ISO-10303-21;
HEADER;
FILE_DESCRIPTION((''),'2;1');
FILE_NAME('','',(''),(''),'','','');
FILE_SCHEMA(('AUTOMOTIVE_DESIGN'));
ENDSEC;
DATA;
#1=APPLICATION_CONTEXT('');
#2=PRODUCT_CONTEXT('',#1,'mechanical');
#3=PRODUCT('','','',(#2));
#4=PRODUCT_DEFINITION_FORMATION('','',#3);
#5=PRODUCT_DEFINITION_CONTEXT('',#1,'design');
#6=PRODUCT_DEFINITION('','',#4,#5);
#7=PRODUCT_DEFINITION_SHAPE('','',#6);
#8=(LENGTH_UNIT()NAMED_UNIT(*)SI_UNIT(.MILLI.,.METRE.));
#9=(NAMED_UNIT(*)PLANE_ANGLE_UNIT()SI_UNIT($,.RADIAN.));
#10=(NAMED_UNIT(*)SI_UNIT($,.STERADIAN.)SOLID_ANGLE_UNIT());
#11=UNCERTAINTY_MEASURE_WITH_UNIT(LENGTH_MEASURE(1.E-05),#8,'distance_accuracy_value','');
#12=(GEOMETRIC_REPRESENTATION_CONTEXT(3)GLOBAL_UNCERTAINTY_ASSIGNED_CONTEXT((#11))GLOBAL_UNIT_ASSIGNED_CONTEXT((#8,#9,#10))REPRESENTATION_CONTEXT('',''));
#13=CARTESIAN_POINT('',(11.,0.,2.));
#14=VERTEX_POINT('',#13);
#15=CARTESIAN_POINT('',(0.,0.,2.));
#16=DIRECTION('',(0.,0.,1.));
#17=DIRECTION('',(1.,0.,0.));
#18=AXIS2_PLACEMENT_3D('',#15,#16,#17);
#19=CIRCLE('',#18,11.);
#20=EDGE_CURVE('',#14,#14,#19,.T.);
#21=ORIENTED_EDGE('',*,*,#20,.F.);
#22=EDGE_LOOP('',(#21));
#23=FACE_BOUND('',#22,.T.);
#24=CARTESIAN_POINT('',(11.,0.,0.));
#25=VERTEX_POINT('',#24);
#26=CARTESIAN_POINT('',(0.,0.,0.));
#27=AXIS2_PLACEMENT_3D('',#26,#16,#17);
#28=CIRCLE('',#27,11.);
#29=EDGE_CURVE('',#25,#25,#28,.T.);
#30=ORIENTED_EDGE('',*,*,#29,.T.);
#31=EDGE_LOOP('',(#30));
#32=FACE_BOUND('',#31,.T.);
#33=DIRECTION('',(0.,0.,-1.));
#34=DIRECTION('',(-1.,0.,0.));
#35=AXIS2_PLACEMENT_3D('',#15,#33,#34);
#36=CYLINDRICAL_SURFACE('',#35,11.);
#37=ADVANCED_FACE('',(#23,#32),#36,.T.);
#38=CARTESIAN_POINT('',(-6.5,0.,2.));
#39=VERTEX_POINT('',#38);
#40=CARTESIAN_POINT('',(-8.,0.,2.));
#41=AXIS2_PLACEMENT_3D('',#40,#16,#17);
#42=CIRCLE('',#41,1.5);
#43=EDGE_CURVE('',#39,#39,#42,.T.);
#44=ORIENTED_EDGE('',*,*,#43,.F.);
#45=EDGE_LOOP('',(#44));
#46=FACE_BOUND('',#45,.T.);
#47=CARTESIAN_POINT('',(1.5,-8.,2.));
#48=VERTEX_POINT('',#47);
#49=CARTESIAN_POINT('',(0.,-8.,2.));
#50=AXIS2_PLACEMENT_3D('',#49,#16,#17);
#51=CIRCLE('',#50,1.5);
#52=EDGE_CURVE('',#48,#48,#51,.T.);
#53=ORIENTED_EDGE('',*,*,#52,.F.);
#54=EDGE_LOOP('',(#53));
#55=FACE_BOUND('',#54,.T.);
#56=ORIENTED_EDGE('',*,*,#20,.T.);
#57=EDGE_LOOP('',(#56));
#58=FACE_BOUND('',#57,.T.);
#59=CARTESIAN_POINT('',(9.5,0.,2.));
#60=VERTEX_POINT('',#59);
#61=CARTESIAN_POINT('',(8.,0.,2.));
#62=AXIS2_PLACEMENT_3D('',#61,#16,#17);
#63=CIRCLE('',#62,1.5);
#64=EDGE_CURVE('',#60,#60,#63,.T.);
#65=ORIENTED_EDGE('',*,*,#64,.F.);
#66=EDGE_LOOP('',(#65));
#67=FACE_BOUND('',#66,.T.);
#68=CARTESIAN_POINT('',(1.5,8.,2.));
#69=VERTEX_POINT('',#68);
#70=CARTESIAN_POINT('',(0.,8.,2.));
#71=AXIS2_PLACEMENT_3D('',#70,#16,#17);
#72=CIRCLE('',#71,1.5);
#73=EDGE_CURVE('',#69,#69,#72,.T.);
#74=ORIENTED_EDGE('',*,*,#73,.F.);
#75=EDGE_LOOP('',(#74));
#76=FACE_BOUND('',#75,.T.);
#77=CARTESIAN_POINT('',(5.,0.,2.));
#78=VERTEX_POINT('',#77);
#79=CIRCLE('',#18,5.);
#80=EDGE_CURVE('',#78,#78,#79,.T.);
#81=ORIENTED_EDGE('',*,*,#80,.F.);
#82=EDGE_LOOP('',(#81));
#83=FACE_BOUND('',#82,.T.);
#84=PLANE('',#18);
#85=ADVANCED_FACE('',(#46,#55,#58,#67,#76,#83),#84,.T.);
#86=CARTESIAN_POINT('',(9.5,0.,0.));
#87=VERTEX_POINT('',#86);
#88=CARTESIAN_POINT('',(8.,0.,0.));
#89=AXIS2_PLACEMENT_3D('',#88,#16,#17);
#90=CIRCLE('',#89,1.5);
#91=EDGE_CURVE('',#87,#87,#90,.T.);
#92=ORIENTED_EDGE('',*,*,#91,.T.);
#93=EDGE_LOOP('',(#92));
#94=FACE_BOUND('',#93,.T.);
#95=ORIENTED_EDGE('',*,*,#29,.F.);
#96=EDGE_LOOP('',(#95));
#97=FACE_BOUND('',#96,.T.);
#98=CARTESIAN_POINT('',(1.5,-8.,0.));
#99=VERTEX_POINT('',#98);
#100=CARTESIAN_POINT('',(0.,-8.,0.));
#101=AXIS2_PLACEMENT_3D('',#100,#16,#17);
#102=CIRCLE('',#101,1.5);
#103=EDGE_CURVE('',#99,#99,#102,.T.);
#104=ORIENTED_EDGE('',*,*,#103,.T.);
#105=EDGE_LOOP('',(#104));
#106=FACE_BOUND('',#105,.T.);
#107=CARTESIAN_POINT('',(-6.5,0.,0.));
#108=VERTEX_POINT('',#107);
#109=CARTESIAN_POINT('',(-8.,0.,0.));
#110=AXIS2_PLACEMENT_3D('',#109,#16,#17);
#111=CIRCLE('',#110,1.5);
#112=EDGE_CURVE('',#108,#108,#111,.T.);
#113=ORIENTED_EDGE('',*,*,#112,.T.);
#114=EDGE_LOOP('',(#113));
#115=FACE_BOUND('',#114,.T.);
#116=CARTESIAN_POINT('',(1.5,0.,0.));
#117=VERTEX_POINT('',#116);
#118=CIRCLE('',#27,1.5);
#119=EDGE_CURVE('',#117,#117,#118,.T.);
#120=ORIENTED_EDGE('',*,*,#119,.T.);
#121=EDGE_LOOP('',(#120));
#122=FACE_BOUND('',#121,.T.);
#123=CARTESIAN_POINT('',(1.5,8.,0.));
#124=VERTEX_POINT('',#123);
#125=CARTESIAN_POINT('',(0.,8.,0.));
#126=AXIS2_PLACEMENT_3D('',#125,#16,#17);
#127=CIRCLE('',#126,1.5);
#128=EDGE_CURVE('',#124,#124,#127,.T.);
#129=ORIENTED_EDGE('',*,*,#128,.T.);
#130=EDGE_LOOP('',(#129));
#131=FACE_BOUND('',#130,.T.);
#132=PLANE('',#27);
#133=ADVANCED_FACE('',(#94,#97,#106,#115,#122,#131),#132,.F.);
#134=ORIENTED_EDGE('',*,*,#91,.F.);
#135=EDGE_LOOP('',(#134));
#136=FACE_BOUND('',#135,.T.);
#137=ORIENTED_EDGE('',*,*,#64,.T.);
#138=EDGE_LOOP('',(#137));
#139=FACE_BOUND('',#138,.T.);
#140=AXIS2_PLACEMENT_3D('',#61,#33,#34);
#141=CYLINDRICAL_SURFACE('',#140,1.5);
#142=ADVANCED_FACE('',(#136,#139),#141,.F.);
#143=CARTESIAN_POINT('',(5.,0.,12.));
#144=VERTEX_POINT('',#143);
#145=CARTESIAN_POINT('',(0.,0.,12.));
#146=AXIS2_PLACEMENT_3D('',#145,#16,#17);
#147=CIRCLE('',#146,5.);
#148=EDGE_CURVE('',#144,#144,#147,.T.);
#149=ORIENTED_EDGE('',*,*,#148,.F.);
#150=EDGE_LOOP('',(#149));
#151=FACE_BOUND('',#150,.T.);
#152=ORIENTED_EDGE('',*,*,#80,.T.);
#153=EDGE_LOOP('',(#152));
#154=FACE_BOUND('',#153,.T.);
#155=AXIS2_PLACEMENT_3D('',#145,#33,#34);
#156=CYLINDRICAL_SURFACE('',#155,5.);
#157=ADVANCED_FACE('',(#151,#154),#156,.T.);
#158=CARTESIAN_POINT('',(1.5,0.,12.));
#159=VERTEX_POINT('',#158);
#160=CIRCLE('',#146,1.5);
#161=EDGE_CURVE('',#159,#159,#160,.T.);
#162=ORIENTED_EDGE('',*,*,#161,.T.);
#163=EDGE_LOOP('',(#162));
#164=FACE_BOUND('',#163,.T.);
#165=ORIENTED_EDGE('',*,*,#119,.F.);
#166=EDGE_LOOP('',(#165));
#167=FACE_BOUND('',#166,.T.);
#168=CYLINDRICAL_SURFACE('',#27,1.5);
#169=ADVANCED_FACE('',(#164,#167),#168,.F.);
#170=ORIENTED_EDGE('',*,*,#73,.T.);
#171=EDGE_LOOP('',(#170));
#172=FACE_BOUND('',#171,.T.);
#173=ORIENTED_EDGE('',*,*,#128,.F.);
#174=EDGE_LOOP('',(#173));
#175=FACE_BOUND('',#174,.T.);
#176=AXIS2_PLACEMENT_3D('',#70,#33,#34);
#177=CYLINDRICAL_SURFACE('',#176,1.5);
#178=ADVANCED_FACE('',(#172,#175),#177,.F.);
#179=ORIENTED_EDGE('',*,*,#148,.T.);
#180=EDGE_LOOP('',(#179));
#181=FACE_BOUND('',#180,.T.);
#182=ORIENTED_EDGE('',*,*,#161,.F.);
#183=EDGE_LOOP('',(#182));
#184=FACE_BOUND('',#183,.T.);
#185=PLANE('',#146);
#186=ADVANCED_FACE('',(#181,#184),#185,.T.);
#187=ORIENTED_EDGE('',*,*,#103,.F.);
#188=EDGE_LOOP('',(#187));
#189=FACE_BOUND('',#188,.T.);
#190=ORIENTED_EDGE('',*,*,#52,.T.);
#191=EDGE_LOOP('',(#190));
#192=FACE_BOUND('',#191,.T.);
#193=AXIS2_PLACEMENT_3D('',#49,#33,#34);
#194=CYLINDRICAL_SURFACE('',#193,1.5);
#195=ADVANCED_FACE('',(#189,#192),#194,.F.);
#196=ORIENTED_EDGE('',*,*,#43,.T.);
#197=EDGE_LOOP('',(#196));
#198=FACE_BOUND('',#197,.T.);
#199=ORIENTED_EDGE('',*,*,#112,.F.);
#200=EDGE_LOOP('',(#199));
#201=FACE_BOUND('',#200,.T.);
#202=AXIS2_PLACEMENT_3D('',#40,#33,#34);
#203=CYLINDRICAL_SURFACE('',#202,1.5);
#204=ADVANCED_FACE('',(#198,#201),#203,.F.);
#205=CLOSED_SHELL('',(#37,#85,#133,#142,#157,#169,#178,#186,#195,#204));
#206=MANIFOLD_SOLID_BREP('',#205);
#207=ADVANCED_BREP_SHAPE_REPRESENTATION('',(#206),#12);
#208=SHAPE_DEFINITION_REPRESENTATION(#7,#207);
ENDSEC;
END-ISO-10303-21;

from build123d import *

# Parameters (mm, degrees)
SKETCH_1_R          = 11
SKETCH_1_R_2        = 1.5
EXTRUDE_1_DEPTH     = 2
SKETCH_4_R          = 5
EXTRUDE_3_DEPTH     = 10
SKETCH_5_R          = 1.5
CUT_EXTRUDE_2_DEPTH = 20.646882704


with BuildPart() as part:
    # 草图1 → 凸台-拉伸1 (new body)
    with BuildSketch(Plane.XY):
        Circle(SKETCH_1_R)
        with Locations((0, 8)):
            Circle(SKETCH_1_R_2, mode=Mode.SUBTRACT)
        with Locations((8, 0)):
            Circle(SKETCH_1_R_2, mode=Mode.SUBTRACT)
        with Locations((0, -8)):
            Circle(SKETCH_1_R_2, mode=Mode.SUBTRACT)
        with Locations((-8, 0)):
            Circle(SKETCH_1_R_2, mode=Mode.SUBTRACT)
    extrude(amount=EXTRUDE_1_DEPTH)

    # 草图4 → 凸台-拉伸3 (add)
    with BuildSketch(Plane.XY.offset(2)):
        Circle(SKETCH_4_R)
    extrude(amount=EXTRUDE_3_DEPTH)

    # 草图5 → 切除-拉伸2 (cut, through all)
    with BuildSketch(Plane.XY.offset(12)):
        Circle(SKETCH_5_R)
    extrude(amount=-CUT_EXTRUDE_2_DEPTH, mode=Mode.SUBTRACT)


solid = part.part
